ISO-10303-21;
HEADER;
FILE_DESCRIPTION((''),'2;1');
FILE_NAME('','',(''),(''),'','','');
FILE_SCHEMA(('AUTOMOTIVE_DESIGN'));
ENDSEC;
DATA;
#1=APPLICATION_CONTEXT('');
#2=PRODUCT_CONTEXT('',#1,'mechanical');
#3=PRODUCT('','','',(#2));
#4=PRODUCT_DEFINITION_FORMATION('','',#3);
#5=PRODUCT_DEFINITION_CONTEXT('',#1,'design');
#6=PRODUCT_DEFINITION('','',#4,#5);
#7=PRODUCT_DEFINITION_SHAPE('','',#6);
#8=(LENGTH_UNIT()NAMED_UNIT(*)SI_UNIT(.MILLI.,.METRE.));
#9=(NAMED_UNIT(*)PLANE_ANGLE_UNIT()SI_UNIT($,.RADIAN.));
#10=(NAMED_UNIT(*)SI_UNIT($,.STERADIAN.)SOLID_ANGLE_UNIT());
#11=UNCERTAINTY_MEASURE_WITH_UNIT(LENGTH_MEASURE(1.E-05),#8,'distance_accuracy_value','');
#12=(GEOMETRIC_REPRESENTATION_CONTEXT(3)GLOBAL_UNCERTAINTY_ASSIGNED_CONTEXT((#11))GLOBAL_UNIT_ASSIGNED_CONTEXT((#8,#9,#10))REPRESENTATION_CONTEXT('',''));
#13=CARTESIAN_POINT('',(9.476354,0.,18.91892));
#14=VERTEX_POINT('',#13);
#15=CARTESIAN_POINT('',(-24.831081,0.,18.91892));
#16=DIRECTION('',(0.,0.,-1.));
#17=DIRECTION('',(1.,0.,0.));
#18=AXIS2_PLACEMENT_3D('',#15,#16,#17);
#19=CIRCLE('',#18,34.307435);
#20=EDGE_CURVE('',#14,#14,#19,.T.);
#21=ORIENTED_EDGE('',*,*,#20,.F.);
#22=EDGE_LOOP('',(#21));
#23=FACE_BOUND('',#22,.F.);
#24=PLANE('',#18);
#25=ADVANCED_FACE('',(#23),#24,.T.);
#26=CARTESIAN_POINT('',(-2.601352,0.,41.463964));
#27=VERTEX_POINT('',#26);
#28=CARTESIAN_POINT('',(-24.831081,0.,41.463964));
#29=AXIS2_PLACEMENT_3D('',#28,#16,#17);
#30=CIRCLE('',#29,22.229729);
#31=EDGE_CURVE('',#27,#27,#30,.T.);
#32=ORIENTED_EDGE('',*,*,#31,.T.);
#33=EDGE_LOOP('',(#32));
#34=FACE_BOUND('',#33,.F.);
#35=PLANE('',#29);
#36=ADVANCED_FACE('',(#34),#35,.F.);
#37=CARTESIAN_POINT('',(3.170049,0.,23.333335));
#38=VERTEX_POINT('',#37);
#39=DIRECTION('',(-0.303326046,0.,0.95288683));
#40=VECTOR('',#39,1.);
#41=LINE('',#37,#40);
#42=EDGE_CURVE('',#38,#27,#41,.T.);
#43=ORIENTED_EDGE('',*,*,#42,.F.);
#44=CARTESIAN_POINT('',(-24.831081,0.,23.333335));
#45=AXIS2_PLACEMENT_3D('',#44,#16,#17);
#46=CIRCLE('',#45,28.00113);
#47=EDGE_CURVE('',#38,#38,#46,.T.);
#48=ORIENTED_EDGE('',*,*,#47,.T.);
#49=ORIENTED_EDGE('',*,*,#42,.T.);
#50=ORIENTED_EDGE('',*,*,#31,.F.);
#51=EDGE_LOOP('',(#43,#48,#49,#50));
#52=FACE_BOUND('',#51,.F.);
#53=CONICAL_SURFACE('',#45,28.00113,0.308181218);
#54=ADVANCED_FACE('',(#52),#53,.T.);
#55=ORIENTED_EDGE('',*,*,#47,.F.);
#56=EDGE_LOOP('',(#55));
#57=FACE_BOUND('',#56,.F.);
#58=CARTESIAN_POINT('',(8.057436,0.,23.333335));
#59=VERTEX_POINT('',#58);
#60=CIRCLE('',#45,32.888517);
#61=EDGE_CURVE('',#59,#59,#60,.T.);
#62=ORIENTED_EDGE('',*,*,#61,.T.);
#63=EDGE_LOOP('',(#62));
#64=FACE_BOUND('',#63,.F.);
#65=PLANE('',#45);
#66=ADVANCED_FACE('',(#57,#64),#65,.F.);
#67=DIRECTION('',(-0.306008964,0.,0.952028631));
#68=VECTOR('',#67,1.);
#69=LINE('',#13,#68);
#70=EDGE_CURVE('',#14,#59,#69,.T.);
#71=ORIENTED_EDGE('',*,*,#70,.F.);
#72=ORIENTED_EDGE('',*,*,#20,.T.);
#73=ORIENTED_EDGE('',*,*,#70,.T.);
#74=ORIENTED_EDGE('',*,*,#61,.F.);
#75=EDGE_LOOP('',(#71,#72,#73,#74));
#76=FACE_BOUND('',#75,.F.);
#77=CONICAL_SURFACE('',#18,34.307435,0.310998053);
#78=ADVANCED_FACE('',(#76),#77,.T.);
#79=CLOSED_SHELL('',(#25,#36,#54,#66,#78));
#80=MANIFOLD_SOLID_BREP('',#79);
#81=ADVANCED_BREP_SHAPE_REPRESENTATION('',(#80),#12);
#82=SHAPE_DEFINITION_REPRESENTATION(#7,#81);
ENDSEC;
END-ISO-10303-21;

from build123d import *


with BuildPart() as f1:
    # F0 (on Front) → F1 (revolve)
    with BuildSketch(Plane.XZ):
        Polygon((-24.831081, 41.463964), (-24.831081, 31.058559), (-24.831081, 23.333335), (3.170049, 23.333335), (-2.601352, 41.463964), align=None)
        Polygon((3.170049, 23.333335), (-24.831081, 23.333335), (-24.831081, 18.91892), (9.476354, 18.91892), (8.057436, 23.333335), align=None)
    revolve(axis=Axis((-24.831081, 0, 15.52928), (0, 0, -1)))


solid = f1.part
